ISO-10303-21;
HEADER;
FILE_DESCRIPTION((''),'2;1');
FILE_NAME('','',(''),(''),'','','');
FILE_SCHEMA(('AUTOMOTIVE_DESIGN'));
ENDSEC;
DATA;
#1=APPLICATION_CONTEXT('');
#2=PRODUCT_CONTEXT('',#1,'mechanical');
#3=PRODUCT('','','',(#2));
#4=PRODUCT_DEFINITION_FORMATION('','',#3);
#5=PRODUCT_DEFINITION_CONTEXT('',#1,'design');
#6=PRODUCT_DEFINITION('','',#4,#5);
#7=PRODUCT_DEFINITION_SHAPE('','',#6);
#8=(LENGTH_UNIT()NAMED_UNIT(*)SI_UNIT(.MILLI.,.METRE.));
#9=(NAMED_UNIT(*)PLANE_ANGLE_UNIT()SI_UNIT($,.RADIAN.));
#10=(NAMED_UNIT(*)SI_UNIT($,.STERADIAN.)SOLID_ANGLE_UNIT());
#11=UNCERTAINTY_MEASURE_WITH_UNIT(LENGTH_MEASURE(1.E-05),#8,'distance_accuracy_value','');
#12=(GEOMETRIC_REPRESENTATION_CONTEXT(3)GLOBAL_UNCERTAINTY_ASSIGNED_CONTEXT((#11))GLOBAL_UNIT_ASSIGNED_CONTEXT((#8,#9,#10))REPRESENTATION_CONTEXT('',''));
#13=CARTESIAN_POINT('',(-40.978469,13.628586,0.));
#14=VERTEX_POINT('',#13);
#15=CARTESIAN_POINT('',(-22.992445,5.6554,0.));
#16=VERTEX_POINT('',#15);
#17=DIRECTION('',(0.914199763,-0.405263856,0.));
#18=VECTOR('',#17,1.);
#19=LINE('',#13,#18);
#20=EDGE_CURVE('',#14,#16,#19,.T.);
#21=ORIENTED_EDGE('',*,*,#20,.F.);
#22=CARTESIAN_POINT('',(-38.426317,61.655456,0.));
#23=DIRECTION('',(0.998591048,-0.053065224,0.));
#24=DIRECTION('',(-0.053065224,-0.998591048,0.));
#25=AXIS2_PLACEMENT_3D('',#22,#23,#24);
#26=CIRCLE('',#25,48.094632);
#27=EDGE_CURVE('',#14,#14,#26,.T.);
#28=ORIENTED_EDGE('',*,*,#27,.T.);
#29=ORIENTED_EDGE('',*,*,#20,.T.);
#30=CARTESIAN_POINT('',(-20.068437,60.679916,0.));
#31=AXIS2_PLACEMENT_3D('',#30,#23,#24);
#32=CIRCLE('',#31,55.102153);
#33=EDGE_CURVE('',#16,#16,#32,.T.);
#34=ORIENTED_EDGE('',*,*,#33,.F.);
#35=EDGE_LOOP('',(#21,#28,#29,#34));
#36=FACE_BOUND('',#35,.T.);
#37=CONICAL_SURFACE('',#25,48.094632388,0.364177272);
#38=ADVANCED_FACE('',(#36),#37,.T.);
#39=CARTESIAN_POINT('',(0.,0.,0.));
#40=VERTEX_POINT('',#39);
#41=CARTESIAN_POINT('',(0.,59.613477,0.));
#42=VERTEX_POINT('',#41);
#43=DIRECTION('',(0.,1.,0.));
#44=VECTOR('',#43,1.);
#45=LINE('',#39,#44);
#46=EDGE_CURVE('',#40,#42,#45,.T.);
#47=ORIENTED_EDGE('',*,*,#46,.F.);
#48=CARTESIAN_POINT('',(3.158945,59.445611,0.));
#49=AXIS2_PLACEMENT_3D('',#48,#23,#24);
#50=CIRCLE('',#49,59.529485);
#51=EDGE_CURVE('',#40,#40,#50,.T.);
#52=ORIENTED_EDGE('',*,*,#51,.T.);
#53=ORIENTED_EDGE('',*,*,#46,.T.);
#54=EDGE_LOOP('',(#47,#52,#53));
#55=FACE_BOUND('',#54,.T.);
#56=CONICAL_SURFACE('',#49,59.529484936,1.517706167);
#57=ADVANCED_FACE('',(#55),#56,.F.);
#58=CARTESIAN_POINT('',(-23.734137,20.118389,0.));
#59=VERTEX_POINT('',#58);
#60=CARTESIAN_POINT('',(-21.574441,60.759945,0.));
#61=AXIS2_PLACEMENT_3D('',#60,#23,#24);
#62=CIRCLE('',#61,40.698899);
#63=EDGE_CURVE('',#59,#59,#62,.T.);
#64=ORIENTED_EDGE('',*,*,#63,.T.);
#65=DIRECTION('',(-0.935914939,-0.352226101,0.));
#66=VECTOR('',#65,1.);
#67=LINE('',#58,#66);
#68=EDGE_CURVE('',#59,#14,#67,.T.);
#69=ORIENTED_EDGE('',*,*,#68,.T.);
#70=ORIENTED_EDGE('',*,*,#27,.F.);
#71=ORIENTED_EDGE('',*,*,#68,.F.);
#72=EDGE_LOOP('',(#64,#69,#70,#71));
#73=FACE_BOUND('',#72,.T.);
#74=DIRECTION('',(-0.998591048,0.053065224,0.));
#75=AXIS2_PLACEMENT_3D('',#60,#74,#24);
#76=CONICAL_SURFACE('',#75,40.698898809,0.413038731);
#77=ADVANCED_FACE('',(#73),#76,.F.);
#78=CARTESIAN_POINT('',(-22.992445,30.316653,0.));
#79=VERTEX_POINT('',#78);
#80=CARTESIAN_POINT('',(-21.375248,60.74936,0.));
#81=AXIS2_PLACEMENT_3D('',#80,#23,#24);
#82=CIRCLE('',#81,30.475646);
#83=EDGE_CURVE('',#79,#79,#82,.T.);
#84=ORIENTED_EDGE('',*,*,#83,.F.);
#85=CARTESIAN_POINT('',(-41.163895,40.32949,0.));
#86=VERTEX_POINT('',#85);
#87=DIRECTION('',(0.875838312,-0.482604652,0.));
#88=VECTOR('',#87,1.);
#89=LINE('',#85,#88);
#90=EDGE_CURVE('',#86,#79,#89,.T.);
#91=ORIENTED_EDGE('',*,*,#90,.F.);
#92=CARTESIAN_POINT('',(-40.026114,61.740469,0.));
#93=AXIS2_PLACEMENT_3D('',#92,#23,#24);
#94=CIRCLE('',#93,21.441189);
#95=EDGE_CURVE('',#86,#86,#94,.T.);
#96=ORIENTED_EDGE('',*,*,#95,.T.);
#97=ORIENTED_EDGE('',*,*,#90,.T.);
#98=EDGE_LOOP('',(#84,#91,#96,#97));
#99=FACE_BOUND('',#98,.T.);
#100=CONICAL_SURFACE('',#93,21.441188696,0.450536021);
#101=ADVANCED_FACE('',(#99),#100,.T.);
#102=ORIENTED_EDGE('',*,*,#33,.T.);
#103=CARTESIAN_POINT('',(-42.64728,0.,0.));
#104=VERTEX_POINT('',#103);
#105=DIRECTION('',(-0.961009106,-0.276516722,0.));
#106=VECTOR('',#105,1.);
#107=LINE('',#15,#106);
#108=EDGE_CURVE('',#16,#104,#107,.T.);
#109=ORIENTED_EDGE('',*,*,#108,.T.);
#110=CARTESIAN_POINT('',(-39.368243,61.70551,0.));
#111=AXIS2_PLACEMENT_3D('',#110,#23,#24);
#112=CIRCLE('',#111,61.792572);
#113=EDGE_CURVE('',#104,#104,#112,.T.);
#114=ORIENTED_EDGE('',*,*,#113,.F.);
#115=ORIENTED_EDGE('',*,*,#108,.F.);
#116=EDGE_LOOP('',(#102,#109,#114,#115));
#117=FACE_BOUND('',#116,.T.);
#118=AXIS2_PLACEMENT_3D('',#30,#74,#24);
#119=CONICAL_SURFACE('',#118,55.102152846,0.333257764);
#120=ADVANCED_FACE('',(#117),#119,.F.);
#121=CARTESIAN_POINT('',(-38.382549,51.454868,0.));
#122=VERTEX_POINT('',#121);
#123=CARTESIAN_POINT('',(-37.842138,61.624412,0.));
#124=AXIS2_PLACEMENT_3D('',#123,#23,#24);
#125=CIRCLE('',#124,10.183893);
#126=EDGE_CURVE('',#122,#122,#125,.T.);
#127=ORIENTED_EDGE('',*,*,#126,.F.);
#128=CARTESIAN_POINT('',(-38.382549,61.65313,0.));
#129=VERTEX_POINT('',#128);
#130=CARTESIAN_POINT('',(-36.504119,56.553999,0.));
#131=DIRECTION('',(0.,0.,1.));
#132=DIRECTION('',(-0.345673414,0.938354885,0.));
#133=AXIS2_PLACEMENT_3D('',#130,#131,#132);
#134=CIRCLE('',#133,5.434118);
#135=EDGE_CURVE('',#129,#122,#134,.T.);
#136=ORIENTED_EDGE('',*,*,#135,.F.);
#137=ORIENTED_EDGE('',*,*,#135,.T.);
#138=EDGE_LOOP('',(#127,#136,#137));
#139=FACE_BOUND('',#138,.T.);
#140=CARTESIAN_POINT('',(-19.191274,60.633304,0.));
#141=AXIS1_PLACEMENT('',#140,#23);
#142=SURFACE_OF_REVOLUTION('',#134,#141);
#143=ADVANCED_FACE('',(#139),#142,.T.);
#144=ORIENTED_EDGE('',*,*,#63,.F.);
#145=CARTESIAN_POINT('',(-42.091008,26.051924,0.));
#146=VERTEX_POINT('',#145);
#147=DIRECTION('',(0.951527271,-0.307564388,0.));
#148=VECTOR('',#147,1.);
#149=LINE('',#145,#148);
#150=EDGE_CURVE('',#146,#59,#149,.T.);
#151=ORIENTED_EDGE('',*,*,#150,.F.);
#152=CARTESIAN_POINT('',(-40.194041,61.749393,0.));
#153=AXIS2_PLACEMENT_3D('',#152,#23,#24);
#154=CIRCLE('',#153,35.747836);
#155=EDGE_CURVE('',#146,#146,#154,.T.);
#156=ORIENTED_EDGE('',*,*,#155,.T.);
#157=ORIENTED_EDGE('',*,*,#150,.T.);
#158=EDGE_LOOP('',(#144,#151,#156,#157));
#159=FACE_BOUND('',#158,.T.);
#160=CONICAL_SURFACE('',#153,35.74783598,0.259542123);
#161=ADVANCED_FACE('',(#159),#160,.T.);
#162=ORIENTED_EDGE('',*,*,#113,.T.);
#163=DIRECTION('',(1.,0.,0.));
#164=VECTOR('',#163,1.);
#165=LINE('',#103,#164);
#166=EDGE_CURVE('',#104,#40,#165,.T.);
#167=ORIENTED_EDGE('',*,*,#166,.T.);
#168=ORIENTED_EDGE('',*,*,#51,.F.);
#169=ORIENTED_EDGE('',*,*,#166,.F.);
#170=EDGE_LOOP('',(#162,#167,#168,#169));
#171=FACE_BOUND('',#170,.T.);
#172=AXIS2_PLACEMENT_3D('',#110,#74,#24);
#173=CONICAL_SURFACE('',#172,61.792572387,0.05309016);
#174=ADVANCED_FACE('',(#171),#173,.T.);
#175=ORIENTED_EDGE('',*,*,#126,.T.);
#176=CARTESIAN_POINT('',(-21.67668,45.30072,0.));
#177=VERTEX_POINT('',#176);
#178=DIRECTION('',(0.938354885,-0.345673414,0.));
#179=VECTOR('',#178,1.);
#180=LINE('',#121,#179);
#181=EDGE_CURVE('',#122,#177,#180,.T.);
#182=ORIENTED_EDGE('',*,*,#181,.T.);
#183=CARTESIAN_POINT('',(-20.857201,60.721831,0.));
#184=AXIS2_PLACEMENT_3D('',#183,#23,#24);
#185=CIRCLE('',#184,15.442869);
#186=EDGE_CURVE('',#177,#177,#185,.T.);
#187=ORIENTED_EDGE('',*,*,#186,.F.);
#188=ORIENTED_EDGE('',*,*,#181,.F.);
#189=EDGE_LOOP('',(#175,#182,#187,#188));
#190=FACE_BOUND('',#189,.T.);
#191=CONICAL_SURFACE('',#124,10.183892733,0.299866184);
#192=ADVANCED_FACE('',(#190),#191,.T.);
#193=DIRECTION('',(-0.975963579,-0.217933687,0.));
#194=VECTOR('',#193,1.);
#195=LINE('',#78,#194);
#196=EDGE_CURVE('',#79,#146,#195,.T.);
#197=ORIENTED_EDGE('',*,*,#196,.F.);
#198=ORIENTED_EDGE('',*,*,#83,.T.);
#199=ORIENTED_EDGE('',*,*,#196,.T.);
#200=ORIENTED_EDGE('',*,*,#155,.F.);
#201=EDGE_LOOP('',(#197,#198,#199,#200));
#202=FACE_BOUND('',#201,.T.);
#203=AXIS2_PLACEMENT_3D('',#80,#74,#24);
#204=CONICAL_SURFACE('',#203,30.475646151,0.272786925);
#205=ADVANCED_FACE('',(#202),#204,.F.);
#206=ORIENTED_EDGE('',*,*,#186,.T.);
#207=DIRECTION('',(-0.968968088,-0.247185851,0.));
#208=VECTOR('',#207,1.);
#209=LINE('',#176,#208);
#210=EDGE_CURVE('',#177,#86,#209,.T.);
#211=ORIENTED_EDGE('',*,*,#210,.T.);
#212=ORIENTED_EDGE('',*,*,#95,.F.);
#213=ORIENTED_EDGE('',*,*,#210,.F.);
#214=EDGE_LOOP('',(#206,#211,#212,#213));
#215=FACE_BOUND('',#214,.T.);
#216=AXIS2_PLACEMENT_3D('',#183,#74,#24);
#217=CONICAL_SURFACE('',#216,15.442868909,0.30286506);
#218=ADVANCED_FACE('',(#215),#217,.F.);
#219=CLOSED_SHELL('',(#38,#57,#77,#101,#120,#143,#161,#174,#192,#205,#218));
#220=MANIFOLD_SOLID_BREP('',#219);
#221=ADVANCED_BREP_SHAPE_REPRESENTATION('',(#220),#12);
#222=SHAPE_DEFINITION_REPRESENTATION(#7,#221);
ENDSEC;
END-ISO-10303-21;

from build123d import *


with BuildPart() as f1:
    # F0 (on Top) → F1 (revolve)
    with BuildSketch(Plane.XY):
        with BuildLine():
            ThreePointArc((-38.3825488389, 61.6531297565), (-41.9382364536, 56.553998962), (-38.3825488389, 51.4548681676))
            Line((-38.3825488389, 51.4548681676), (-21.676680397, 45.3007204465))
            Line((-21.676680397, 45.3007204465), (-41.1638952792, 40.329489857))
            Line((-41.1638952792, 40.329489857), (-22.992445156, 30.3166527301))
            Line((-22.992445156, 30.3166527301), (-42.0910082757, 26.0519236326))
            Line((-42.0910082757, 26.0519236326), (-23.7341374159, 20.1183892787))
            Line((-23.7341374159, 20.1183892787), (-40.9784689546, 13.6285861954))
            Line((-40.9784689546, 13.6285861954), (-22.992445156, 5.6553995237))
            Line((-22.992445156, 5.6553995237), (-42.647279799, 0))
            Line((-42.647279799, 0), (0, 0))
            Line((0, 0), (0, 59.6134774387))
            Line((0, 59.6134774387), (-38.3825488389, 61.6531297565))
        make_face()
    revolve(axis=Axis((-19.1912744194, 60.6333035976, 0), (0.9985910484, -0.0530652239, 0)))


solid = f1.part
